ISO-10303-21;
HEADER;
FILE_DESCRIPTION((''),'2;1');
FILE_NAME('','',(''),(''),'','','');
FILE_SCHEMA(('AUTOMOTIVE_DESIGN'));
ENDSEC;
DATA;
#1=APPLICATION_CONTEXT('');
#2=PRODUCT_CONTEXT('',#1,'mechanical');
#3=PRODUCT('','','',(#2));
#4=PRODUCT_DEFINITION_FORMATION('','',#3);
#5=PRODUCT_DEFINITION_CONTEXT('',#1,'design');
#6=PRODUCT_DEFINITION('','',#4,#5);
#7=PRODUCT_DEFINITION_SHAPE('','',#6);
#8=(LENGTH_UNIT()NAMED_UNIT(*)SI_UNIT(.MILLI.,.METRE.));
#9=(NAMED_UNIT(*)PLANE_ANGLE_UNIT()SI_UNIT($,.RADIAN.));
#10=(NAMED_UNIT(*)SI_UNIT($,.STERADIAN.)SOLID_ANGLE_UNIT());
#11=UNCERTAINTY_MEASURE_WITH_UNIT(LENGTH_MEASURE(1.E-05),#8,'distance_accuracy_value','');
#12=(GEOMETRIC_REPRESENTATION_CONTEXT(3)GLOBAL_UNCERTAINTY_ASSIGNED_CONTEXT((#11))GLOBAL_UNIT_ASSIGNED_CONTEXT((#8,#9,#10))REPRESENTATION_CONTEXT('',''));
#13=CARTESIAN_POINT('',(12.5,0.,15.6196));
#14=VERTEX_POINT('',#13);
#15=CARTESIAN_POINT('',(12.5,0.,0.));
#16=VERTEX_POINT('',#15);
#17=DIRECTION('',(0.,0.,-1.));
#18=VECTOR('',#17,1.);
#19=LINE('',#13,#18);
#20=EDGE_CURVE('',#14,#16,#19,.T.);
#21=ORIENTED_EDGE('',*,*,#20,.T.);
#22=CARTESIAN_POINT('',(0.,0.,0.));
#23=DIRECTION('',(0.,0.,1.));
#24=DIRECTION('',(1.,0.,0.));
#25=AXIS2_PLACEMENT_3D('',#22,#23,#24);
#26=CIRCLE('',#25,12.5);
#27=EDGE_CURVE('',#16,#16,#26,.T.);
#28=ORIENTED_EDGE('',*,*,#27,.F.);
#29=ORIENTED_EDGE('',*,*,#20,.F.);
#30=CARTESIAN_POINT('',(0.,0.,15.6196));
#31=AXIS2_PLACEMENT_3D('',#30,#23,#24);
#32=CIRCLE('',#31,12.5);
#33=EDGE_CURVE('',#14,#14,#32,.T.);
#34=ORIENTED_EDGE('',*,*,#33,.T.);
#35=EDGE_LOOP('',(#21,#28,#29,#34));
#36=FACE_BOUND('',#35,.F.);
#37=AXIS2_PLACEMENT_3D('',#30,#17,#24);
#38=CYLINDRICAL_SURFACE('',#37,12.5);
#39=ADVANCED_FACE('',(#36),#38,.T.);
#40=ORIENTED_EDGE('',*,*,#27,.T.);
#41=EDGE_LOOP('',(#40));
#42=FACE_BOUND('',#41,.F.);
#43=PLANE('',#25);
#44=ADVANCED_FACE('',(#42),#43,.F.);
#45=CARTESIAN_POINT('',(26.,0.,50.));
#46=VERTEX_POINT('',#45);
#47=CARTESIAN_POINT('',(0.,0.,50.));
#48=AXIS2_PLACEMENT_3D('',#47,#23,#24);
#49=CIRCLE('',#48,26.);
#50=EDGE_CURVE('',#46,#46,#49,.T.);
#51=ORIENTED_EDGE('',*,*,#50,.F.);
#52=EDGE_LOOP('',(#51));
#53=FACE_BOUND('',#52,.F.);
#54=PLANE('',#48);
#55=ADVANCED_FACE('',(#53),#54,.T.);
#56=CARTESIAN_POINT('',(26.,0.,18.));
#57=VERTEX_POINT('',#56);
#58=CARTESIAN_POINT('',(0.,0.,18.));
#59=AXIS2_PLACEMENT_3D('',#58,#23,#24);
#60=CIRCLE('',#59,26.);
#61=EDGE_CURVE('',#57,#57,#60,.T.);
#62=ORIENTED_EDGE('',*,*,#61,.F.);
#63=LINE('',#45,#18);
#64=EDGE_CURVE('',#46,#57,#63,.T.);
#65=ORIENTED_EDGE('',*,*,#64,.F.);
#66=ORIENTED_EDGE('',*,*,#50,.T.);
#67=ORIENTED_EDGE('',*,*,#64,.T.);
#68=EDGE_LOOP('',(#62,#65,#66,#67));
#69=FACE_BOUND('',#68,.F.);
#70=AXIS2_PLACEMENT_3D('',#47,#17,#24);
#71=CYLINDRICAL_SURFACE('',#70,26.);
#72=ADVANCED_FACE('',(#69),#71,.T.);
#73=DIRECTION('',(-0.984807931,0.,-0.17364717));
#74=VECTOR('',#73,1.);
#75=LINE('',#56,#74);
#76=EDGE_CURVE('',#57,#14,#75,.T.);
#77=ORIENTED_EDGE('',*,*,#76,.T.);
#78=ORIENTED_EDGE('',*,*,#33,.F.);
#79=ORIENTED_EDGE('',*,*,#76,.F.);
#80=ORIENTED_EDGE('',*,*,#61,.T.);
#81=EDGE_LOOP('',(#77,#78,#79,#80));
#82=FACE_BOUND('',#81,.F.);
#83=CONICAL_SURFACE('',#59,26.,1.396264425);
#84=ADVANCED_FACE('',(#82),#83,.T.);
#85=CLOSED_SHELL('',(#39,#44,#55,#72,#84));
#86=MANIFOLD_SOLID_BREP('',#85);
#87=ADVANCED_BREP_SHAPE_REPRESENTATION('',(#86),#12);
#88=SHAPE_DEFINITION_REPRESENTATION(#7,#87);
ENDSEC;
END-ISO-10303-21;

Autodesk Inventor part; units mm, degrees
ref_plane "YZ Plane" through (0, 0, 0) normal (1, 0, 0) x (0, 1, 0)
ref_plane "XZ Plane" through (0, 0, 0) normal (0, 1, 0) x (-1, 0, 0)
ref_plane "XY Plane" through (0, 0, 0) normal (0, 0, 1) x (1, 0, 0)
sketch "Sketch1" plane through (0, 0, 0) normal (0, 1, 0) x (-1, 0, 0)
  line L0 (0, 0) -> (0, 50)
  line L1 (0, 50) -> (-26, 50)
  line L2 (-26, 50) -> (-26, 18)
  line L3 (-26, 18) -> (-12.5, 15.6196)
  line L4 (-12.5, 15.6196) -> (-12.5, 0)
  line L5 (-12.5, 0) -> (0, 0)
  dimension "d0" = 50
  dimension "d1" = 52
  dimension "d2" = 25
  dimension "d3" = 32
  dimension "d4" = 100
revolve "Revolution1" add sketch "Sketch1" angle 360 about axis through (0, 0, 0) along (0, 0, 1)
properties part number "APN dummy filter element"
